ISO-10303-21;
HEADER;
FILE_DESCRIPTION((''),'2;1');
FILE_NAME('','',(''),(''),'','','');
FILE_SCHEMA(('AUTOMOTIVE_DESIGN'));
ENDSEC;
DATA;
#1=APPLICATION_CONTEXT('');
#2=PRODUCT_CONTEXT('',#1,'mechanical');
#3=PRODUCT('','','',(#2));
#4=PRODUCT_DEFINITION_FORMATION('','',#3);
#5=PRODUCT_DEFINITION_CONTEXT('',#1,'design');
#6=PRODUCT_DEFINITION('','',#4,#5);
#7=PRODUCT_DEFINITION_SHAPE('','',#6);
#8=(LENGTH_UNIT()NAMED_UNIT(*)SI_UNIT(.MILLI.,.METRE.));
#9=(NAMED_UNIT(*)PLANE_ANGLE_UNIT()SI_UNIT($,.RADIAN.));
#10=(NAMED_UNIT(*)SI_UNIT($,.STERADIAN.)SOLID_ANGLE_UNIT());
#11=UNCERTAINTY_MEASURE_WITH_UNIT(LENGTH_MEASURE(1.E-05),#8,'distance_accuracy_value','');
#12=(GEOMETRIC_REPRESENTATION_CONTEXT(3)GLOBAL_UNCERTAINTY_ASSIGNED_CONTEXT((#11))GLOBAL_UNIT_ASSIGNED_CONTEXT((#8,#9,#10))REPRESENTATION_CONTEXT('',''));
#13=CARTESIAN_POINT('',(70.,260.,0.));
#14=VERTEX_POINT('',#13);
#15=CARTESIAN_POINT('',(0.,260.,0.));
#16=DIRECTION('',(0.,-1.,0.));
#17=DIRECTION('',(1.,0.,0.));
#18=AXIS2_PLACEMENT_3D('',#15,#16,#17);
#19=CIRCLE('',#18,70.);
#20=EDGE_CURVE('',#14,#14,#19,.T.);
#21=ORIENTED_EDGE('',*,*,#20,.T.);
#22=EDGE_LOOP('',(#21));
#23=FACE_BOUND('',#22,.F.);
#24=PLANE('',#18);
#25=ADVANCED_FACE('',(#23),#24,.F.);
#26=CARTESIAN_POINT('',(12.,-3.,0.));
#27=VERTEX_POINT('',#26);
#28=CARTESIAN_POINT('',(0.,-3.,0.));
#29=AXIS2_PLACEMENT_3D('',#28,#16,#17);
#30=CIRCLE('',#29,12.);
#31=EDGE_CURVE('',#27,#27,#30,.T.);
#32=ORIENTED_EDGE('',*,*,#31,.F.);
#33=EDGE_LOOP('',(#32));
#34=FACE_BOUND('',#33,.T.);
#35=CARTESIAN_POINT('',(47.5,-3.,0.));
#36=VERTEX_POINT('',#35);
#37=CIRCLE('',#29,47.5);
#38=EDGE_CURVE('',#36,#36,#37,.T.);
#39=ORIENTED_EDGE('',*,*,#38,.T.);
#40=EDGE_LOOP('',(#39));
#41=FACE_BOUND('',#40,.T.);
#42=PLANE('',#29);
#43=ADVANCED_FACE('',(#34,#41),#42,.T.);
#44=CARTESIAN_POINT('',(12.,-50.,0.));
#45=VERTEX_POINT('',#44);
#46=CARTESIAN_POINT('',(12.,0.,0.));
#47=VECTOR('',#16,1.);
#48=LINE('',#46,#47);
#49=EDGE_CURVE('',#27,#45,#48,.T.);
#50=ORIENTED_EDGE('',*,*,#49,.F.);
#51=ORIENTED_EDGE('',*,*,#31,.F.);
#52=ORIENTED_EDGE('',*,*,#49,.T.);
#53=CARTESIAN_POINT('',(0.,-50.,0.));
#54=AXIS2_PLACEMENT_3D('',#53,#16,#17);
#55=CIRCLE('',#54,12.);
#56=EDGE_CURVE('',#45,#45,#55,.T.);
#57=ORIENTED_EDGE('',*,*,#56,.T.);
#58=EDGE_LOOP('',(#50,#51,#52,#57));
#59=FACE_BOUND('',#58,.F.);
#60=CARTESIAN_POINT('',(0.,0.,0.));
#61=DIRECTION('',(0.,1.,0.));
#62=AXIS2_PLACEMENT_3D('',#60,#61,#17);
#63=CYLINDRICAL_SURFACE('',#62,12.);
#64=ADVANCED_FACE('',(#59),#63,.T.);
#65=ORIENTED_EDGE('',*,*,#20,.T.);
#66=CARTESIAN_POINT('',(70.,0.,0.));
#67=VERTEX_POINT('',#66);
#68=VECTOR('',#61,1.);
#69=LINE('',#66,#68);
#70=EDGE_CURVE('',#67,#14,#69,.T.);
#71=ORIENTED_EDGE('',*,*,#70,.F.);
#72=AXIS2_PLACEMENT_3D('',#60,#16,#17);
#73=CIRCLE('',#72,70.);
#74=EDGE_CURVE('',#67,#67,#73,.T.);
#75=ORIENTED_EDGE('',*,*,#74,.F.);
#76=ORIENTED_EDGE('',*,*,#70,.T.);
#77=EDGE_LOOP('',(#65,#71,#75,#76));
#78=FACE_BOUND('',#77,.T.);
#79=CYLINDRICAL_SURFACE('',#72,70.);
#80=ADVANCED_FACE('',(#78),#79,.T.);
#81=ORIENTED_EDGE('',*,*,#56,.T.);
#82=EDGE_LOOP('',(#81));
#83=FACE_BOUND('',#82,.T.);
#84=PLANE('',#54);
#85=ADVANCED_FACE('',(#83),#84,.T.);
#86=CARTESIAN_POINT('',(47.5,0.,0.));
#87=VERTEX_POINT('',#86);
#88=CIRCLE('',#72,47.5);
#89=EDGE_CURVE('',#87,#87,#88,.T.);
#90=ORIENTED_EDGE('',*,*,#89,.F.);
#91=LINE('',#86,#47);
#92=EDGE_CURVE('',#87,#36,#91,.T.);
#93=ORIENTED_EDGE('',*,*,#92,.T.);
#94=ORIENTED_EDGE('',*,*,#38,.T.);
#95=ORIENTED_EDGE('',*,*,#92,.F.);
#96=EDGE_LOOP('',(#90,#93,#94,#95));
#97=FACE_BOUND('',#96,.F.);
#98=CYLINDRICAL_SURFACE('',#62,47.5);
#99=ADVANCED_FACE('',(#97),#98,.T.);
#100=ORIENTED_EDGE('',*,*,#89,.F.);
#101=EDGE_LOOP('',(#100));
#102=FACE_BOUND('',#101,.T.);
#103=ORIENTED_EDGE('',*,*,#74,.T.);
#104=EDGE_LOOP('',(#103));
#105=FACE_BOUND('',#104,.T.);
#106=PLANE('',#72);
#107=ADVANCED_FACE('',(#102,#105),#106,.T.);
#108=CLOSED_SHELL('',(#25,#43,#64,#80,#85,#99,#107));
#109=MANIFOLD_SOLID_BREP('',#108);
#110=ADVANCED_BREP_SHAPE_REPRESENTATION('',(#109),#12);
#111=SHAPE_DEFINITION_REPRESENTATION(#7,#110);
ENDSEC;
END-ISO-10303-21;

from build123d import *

# Parameters (mm, degrees)
F0_R     = 12
F1_DEPTH = 50
F0_R_2   = 47.5
F2_DEPTH = 3
F0_R_3   = 70
F3_DEPTH = 260


with BuildPart() as f1:
    # F0 (on Front) → F1 (new body)
    with BuildSketch(Plane.XZ):
        Circle(F0_R)
    extrude(amount=F1_DEPTH)

    # F0 (on Front) → F2 (join)
    with BuildSketch(Plane.XZ):
        Circle(F0_R_2)
        Circle(F0_R, mode=Mode.SUBTRACT)
    extrude(amount=F2_DEPTH)

    # F0 (on Front) → F3 (join)
    with BuildSketch(Plane.XZ):
        Circle(F0_R_3)
        Circle(F0_R_2, mode=Mode.SUBTRACT)
        Circle(F0_R_2)
        Circle(F0_R, mode=Mode.SUBTRACT)
        Circle(F0_R)
    extrude(amount=-F3_DEPTH)


solid = f1.part
